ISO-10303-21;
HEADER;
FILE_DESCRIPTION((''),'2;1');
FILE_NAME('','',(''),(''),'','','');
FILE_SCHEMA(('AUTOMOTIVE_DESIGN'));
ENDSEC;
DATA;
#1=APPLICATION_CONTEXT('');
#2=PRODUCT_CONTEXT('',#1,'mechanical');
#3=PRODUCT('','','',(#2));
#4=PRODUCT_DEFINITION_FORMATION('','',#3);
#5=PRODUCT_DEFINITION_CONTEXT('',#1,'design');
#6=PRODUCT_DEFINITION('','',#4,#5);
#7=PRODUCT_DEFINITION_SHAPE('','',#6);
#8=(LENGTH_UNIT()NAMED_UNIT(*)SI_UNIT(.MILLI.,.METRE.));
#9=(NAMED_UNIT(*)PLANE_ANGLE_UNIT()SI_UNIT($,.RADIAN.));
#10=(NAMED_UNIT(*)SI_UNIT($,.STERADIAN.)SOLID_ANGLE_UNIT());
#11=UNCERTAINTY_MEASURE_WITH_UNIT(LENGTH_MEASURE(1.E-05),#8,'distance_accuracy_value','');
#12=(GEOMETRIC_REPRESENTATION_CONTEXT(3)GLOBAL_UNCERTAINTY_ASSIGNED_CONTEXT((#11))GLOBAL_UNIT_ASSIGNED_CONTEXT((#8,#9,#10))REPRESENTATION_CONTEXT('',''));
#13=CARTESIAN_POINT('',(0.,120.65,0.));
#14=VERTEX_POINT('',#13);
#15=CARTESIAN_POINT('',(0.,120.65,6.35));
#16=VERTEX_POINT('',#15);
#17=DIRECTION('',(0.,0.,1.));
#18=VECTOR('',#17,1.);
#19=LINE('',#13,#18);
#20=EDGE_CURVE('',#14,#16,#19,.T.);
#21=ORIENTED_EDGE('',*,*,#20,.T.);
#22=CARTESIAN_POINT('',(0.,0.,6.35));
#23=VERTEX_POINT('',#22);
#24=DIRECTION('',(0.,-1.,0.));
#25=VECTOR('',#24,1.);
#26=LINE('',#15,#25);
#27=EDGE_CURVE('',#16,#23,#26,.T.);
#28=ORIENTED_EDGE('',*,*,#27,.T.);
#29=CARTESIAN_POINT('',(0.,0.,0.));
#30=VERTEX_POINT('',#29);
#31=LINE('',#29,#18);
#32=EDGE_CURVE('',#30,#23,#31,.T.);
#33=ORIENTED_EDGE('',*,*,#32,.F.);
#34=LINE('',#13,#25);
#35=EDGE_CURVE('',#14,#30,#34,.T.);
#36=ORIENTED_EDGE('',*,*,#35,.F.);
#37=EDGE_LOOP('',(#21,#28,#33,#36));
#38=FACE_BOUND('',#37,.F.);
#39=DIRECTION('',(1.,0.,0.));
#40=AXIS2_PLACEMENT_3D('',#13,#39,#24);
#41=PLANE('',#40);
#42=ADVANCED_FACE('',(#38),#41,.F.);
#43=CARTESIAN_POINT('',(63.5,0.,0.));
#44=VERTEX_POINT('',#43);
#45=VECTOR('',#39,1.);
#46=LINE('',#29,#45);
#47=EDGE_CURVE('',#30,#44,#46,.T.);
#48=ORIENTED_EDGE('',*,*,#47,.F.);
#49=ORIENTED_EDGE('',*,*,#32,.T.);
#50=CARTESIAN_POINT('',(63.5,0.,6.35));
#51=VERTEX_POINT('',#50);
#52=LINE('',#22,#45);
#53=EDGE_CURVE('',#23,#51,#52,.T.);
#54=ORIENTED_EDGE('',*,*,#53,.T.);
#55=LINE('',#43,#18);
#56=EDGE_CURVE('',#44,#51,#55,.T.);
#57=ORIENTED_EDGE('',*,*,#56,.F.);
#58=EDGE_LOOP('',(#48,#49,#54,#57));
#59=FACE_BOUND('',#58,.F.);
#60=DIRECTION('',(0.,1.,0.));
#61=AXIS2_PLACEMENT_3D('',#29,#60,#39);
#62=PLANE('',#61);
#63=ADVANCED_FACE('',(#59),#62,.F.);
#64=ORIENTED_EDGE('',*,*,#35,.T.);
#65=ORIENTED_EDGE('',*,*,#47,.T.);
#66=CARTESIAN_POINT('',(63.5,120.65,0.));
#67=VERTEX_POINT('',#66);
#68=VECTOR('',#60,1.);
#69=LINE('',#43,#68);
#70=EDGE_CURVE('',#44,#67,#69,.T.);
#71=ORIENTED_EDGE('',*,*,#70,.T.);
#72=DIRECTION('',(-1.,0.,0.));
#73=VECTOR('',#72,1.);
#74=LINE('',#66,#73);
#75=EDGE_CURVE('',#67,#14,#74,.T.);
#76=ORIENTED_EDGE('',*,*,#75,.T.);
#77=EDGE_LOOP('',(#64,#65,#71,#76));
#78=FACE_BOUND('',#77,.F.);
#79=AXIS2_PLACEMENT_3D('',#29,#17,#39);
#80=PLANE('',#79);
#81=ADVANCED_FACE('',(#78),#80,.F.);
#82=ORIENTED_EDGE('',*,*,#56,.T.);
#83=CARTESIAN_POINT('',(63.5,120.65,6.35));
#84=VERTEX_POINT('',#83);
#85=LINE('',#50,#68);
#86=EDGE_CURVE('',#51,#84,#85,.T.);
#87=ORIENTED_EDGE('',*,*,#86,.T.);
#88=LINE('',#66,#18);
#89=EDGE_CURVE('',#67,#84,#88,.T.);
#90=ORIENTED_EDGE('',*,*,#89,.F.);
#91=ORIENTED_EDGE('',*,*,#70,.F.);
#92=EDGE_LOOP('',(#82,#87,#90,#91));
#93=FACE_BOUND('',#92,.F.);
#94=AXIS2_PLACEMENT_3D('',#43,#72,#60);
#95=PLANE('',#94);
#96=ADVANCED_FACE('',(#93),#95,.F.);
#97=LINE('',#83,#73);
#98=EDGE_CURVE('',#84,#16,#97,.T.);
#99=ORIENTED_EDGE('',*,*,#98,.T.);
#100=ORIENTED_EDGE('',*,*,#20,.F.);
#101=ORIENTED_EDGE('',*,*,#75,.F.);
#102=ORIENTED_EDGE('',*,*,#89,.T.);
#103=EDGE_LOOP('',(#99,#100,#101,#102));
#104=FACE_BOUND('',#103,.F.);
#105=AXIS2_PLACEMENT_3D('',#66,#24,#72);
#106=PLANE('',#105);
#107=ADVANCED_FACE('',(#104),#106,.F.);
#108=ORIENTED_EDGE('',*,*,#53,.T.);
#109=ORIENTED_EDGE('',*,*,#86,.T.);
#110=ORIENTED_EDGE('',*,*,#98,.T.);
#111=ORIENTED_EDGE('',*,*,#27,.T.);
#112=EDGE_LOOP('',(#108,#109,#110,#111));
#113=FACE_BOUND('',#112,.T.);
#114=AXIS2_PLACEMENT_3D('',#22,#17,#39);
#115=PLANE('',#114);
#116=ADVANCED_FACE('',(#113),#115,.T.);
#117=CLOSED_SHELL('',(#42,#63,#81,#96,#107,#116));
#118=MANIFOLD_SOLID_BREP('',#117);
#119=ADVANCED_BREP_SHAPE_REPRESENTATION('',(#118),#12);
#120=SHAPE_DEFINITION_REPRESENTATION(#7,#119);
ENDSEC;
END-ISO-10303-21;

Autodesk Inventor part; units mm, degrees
ref_plane "YZ Plane" through (0, 0, 0) normal (1, 0, 0) x (0, 1, 0)
ref_plane "XZ Plane" through (0, 0, 0) normal (0, 1, 0) x (-1, 0, 0)
ref_plane "XY Plane" through (0, 0, 0) normal (0, 0, 1) x (1, 0, 0)
sketch "Sketch1" plane through (0, 0, 0) normal (0, 0, 1) x (1, 0, 0)
  line L0 (0, 0) -> (63.5, 0)
  line L1 (63.5, 0) -> (63.5, 120.65)
  line L2 (63.5, 120.65) -> (0, 120.65)
  line L3 (0, 120.65) -> (0, 0)
  dimension "d0" = 63.5
  dimension "d1" = 120.65
extrude "Extrusion1" add sketch "Sketch1" along normal blind 6.35
properties part number "wall 3" material "Aluminum 6061"
